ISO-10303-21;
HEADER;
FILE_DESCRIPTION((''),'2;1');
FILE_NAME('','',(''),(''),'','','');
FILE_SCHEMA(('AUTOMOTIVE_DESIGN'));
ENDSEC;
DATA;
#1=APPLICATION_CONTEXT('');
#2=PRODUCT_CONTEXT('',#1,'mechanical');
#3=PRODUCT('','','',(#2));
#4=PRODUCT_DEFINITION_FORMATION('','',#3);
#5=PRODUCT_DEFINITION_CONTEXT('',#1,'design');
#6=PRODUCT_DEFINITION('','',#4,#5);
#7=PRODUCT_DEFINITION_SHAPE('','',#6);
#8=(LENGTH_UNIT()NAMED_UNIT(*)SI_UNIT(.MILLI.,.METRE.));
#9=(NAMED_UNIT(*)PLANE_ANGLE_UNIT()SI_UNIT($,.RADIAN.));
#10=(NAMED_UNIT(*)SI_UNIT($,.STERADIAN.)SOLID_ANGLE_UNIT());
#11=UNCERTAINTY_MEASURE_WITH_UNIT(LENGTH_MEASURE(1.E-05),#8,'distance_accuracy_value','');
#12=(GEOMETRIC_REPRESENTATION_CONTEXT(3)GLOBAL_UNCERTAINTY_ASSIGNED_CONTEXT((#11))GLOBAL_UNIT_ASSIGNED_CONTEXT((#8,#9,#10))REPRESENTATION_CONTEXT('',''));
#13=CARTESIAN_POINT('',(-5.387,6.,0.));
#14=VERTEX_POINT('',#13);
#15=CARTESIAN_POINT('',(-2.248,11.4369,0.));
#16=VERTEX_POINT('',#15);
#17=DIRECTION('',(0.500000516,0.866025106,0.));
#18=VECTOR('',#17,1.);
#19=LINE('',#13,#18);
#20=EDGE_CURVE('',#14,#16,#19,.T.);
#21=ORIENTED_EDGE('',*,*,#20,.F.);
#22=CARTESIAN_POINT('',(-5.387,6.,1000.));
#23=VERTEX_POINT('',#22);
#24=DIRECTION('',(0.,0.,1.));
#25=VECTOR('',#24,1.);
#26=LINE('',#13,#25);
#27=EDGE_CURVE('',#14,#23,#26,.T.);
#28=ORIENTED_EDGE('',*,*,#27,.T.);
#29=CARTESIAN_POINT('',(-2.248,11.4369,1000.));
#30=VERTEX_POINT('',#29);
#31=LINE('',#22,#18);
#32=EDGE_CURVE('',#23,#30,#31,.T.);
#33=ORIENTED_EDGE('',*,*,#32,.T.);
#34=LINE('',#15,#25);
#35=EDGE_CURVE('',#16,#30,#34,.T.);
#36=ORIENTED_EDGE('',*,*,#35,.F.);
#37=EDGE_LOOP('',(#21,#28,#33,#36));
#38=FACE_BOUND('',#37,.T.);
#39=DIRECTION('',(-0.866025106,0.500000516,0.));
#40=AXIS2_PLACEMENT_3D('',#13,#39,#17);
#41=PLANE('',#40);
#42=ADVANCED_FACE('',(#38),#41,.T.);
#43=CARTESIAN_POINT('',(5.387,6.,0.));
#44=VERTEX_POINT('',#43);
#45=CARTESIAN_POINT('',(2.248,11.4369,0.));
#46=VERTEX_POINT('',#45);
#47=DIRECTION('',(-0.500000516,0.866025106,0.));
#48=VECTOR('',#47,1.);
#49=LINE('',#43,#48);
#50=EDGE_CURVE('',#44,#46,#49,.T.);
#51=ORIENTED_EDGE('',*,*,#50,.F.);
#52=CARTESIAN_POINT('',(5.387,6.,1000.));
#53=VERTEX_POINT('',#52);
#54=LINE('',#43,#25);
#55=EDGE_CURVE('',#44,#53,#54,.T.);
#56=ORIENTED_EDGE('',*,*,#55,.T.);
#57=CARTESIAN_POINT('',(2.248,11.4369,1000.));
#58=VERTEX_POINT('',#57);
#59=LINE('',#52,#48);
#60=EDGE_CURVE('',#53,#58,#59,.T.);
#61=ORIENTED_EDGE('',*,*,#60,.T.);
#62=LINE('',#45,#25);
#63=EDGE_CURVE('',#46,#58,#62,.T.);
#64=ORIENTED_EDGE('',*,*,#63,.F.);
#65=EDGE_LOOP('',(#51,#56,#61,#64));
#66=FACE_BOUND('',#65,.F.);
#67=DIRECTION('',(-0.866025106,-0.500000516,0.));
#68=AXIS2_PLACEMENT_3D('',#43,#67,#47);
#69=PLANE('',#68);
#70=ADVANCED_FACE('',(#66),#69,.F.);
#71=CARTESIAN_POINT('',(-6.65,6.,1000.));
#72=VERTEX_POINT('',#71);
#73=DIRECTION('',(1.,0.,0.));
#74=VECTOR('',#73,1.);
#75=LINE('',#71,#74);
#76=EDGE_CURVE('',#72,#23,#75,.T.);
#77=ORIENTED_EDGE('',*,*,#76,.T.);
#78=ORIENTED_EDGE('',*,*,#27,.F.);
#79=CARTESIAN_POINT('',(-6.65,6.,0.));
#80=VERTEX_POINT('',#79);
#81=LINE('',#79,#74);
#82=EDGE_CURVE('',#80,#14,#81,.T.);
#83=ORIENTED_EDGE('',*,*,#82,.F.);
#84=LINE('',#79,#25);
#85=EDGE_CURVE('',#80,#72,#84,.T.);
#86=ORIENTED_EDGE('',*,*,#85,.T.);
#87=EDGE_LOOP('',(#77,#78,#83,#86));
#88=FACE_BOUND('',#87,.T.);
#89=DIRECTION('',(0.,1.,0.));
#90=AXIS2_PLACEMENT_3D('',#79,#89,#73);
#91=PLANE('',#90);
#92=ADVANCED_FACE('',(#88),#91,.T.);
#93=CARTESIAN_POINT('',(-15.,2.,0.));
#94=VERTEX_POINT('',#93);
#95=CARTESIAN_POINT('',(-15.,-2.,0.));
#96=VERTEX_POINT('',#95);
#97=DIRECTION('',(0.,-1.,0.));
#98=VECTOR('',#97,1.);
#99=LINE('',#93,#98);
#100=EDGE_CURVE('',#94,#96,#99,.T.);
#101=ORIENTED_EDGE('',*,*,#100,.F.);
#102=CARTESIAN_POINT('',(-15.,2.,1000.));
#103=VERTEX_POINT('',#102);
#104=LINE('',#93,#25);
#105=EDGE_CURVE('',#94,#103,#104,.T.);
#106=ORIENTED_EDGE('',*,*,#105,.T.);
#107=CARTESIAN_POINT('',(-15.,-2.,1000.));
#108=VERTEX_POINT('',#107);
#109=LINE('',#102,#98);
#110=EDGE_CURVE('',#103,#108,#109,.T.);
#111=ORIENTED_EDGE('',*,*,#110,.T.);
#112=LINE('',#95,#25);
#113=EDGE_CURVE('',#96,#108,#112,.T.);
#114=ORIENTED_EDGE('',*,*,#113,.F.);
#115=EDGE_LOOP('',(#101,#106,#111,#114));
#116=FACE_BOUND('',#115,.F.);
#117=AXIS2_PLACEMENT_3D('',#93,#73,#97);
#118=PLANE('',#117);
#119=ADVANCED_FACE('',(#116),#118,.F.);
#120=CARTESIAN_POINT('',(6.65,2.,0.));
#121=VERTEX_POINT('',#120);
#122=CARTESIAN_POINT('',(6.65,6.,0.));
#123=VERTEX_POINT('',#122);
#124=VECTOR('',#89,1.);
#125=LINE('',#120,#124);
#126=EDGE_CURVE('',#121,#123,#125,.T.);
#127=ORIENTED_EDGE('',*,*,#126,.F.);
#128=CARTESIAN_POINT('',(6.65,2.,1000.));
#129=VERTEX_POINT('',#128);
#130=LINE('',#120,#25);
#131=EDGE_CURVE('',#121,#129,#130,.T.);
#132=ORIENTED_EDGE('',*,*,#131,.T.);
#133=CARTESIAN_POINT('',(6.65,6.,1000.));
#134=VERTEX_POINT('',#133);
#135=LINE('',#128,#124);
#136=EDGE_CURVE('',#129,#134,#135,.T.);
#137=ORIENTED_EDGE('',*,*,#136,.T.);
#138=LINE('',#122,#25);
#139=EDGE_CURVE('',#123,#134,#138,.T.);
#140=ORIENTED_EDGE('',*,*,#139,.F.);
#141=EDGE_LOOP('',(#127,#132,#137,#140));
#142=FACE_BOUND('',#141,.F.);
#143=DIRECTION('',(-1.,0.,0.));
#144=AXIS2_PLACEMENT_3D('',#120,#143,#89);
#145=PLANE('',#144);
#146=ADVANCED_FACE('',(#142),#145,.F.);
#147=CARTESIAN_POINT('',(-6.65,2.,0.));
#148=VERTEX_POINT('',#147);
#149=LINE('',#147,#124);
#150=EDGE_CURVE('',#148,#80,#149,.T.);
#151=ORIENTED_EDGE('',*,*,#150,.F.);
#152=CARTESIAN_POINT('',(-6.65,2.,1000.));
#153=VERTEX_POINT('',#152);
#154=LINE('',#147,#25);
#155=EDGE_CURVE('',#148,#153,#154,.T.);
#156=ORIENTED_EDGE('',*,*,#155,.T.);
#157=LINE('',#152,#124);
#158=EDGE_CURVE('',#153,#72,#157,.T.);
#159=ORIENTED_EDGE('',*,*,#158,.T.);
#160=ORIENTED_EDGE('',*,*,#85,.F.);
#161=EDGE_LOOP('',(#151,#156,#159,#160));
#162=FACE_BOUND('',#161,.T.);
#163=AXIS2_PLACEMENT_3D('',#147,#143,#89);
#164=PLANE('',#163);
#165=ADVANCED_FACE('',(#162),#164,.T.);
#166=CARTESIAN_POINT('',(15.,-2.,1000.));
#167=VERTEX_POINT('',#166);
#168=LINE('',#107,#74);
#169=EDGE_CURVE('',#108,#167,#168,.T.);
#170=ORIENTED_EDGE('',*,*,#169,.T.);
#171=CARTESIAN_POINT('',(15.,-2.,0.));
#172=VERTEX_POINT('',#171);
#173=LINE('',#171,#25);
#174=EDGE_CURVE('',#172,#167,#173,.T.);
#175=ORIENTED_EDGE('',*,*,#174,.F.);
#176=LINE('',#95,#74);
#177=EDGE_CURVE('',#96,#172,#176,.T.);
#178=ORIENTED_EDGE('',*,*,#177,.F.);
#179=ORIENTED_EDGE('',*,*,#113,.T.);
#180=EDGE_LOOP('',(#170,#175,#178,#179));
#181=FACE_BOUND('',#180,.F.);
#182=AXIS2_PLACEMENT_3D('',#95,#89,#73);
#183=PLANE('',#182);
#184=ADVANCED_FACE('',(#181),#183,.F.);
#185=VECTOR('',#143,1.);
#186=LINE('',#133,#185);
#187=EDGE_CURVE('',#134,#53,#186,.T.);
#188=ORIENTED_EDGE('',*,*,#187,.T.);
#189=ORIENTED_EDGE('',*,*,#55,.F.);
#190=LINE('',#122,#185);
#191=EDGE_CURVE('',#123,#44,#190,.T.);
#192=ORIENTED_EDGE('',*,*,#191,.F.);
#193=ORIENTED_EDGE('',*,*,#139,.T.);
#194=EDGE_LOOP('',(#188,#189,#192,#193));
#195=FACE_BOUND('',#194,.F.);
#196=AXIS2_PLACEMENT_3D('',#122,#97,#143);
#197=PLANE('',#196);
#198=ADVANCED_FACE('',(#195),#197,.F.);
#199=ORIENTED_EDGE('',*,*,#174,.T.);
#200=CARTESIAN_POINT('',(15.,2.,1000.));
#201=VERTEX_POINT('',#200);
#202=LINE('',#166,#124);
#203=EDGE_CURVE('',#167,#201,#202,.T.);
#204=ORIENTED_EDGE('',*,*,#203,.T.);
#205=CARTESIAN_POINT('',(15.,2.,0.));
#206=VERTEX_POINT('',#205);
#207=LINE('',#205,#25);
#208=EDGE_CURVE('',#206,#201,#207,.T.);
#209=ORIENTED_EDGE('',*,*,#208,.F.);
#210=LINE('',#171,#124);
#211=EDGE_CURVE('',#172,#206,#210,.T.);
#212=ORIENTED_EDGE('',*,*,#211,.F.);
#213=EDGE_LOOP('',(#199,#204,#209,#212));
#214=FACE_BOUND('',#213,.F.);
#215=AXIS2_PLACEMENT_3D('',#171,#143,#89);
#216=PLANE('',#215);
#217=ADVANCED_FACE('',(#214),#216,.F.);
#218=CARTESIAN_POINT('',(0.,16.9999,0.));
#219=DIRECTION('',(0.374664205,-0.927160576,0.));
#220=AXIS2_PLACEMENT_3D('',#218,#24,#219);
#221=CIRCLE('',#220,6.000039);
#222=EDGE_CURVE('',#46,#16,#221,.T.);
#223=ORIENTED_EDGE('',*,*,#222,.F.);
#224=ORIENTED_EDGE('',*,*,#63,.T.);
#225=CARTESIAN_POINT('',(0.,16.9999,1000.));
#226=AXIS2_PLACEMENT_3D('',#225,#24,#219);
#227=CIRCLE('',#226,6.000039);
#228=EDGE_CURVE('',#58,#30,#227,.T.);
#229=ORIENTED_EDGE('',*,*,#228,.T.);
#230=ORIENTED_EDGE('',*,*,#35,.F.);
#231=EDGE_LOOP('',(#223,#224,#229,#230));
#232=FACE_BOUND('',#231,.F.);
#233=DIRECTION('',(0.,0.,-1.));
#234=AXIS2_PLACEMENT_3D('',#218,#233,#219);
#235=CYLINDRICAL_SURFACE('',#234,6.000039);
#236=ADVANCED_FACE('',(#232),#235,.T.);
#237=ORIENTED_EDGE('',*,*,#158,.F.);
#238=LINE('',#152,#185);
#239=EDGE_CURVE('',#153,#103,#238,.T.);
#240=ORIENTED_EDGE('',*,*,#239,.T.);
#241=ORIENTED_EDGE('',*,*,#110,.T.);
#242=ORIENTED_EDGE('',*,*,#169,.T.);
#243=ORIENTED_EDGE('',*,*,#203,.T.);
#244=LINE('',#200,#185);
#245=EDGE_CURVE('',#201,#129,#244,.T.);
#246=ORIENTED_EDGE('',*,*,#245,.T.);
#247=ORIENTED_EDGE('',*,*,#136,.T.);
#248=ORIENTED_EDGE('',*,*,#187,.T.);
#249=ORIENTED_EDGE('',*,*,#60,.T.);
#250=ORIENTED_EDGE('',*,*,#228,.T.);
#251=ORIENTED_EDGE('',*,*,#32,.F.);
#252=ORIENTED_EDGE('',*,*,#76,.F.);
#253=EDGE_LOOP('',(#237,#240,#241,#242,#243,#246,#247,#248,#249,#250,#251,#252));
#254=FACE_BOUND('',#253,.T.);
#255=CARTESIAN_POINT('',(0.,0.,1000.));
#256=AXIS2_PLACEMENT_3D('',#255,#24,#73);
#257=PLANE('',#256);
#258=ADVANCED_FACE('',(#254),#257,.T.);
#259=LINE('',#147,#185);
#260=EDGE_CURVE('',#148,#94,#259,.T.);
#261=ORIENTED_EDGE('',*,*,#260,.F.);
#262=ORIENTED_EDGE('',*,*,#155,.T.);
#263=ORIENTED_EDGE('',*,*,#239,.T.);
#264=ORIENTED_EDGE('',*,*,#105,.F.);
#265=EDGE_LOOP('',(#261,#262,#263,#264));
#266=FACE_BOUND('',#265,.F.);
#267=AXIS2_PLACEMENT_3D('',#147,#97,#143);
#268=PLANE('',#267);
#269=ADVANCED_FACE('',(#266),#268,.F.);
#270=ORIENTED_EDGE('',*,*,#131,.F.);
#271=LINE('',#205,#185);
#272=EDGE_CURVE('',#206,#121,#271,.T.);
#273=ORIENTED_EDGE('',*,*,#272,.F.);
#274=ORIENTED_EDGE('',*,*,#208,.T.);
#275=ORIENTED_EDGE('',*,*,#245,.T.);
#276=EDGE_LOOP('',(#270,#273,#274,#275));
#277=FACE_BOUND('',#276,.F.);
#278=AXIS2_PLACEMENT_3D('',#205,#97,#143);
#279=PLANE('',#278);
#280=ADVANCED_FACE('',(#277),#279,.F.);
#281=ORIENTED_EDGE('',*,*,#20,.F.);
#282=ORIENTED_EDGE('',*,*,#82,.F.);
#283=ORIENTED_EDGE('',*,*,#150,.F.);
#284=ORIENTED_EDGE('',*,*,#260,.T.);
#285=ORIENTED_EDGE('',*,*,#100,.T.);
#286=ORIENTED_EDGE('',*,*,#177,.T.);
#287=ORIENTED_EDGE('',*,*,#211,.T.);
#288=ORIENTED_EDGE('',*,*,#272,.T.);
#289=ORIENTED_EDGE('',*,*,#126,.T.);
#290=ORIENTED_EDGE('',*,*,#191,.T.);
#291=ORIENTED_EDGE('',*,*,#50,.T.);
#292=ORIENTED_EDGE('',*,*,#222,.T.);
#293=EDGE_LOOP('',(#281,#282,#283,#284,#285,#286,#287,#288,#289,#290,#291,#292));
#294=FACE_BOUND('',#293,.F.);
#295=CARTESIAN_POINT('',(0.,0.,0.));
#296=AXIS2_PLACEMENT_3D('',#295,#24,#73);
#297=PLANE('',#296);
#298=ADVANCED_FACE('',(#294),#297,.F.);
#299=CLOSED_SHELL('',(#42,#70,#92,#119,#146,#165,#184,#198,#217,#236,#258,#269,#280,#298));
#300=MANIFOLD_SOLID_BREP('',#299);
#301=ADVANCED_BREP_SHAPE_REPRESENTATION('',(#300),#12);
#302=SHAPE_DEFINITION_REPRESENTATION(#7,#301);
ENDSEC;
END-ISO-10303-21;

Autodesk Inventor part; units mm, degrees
ref_plane "YZ Plane" through (0, 0, 0) normal (1, 0, 0) x (0, 1, 0)
ref_plane "XZ Plane" through (0, 0, 0) normal (0, 1, 0) x (-1, 0, 0)
ref_plane "XY Plane" through (0, 0, 0) normal (0, 0, 1) x (1, 0, 0)
sketch "Skizze1" plane through (0, 0, 0) normal (0, 0, 1) x (1, 0, 0)
  line L0 (-15, 2) -> (-15, -2)
  line L1 (-15, -2) -> (15, -2)
  line L2 (15, -2) -> (15, 2)
  line L3 (15, 2) -> (-15, -2) construction
  line L4 (-15, 2) -> (15, -2) construction
  line L5 (-15, 2) -> (-6.65, 2) construction
  line L6 (15, 2) -> (6.65, 2) construction
  line L7 (-6.65, 2) -> (-6.65, 6)
  line L8 (-6.65, 6) -> (-5.387, 6)
  line L9 (6.65, 2) -> (6.65, 6)
  line L10 (6.65, 6) -> (5.387, 6)
  line L11 (-5.387, 6) -> (-2.248, 11.4369)
  line L12 (-5.387, 6) -> (0.891, 6) construction
  line L13 (5.387, 6) -> (2.248, 11.4369)
  line L14 (5.387, 6) -> (11.665, 6) construction
  arc A0 (2.248, 11.4369) -> (-2.248, 11.4369) centre (0, 16.9999) ccw
  line L15 (15, 2) -> (6.65, 2)
  line L16 (-6.65, 2) -> (-15, 2)
  point P0 (0, 0)
  dimension "d0" = 30
  dimension "d1" = 4
  dimension "d2" = 8.35
  dimension "d3" = 8.35
  dimension "d4" = 4
  dimension "d5" = 1.263
  dimension "d6" = 4
  dimension "d7" = 1.263
  dimension "d8" = 6.278
  dimension "d9" = 60
  dimension "d10" = 6.278
  dimension "d11" = 120
  dimension "d12" = 6
extrude "Extrusion1" add sketch "Skizze1" along normal blind 1000
properties part number "1000mmFührung" material "Edelstahl, 440C"
